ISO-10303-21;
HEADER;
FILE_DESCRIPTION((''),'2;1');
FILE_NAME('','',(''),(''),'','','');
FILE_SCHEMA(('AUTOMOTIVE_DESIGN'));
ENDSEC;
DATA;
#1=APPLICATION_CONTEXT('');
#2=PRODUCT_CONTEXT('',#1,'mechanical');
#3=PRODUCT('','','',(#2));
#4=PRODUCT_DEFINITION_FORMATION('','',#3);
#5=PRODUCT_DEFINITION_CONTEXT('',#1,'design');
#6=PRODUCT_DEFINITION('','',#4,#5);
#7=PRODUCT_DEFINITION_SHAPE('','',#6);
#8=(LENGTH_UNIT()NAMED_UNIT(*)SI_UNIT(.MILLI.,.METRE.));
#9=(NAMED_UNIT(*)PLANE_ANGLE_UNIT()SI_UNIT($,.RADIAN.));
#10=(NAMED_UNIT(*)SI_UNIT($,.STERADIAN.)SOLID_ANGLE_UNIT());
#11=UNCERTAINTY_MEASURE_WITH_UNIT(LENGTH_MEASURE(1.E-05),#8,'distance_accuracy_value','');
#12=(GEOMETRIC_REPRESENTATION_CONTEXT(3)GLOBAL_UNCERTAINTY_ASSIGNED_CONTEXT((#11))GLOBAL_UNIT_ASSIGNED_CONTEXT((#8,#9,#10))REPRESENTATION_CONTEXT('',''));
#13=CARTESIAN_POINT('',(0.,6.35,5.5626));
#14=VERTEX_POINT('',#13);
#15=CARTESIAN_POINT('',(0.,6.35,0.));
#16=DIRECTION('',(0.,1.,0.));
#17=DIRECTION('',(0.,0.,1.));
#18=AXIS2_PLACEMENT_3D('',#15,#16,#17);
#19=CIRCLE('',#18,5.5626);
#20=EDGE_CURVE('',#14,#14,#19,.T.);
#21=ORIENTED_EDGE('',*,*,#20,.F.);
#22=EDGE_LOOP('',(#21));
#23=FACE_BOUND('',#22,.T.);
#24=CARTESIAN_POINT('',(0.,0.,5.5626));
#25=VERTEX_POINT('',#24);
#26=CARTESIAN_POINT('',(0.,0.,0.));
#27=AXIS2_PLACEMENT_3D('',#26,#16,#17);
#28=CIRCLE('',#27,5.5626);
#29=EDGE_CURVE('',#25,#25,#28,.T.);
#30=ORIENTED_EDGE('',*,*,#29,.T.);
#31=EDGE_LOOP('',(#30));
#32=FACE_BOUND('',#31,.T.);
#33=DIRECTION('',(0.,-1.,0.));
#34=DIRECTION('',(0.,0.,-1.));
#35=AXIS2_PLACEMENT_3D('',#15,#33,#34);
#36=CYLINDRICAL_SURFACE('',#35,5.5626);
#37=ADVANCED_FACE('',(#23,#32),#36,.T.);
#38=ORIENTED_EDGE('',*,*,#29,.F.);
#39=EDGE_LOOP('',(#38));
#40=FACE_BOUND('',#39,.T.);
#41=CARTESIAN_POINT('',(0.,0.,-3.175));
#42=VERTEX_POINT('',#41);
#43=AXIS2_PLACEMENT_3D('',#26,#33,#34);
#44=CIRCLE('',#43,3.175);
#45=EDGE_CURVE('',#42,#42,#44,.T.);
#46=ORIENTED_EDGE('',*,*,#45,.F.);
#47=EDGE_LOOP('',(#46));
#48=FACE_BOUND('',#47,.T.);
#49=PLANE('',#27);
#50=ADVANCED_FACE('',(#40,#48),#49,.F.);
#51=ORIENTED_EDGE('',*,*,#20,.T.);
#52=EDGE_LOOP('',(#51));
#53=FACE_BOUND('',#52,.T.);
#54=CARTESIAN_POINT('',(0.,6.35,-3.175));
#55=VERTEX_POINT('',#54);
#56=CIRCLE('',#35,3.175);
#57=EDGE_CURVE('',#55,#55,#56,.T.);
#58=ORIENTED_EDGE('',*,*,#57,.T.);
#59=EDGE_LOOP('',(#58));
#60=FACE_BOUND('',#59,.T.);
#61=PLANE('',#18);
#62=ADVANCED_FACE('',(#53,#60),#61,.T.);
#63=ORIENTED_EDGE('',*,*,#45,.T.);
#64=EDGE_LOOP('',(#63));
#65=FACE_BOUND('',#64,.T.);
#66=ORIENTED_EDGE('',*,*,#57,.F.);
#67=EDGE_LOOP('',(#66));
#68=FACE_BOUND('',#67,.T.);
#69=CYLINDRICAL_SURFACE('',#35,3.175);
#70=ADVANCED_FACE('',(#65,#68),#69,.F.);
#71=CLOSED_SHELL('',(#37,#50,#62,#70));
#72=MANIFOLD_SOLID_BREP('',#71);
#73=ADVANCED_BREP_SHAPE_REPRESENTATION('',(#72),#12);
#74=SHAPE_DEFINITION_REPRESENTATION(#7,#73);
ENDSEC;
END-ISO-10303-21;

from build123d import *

# Parameters (mm, degrees)
SKETCH1_R           = 5.5626
BOSS_EXTRUDE1_DEPTH = 6.35
SKETCH2_R           = 3.175
CUT_EXTRUDE1_DEPTH  = 6.35


with BuildPart() as part:
    # Sketch1 → Boss-Extrude1 (new body)
    with BuildSketch(Plane(origin=(0, 0, 0), x_dir=(1, 0, 0), z_dir=(0, 1, 0))):
        with Locations(Location((0, 0, 0), (0, 0, 270))):
            Circle(SKETCH1_R)
    extrude(amount=BOSS_EXTRUDE1_DEPTH)

    # Sketch2 → Cut-Extrude1 (cut)
    with BuildSketch(Plane.XZ):
        with Locations(Location((0, 0, 0), (0, 0, 270))):
            Circle(SKETCH2_R)
    extrude(amount=-CUT_EXTRUDE1_DEPTH, mode=Mode.SUBTRACT)


solid = part.part
